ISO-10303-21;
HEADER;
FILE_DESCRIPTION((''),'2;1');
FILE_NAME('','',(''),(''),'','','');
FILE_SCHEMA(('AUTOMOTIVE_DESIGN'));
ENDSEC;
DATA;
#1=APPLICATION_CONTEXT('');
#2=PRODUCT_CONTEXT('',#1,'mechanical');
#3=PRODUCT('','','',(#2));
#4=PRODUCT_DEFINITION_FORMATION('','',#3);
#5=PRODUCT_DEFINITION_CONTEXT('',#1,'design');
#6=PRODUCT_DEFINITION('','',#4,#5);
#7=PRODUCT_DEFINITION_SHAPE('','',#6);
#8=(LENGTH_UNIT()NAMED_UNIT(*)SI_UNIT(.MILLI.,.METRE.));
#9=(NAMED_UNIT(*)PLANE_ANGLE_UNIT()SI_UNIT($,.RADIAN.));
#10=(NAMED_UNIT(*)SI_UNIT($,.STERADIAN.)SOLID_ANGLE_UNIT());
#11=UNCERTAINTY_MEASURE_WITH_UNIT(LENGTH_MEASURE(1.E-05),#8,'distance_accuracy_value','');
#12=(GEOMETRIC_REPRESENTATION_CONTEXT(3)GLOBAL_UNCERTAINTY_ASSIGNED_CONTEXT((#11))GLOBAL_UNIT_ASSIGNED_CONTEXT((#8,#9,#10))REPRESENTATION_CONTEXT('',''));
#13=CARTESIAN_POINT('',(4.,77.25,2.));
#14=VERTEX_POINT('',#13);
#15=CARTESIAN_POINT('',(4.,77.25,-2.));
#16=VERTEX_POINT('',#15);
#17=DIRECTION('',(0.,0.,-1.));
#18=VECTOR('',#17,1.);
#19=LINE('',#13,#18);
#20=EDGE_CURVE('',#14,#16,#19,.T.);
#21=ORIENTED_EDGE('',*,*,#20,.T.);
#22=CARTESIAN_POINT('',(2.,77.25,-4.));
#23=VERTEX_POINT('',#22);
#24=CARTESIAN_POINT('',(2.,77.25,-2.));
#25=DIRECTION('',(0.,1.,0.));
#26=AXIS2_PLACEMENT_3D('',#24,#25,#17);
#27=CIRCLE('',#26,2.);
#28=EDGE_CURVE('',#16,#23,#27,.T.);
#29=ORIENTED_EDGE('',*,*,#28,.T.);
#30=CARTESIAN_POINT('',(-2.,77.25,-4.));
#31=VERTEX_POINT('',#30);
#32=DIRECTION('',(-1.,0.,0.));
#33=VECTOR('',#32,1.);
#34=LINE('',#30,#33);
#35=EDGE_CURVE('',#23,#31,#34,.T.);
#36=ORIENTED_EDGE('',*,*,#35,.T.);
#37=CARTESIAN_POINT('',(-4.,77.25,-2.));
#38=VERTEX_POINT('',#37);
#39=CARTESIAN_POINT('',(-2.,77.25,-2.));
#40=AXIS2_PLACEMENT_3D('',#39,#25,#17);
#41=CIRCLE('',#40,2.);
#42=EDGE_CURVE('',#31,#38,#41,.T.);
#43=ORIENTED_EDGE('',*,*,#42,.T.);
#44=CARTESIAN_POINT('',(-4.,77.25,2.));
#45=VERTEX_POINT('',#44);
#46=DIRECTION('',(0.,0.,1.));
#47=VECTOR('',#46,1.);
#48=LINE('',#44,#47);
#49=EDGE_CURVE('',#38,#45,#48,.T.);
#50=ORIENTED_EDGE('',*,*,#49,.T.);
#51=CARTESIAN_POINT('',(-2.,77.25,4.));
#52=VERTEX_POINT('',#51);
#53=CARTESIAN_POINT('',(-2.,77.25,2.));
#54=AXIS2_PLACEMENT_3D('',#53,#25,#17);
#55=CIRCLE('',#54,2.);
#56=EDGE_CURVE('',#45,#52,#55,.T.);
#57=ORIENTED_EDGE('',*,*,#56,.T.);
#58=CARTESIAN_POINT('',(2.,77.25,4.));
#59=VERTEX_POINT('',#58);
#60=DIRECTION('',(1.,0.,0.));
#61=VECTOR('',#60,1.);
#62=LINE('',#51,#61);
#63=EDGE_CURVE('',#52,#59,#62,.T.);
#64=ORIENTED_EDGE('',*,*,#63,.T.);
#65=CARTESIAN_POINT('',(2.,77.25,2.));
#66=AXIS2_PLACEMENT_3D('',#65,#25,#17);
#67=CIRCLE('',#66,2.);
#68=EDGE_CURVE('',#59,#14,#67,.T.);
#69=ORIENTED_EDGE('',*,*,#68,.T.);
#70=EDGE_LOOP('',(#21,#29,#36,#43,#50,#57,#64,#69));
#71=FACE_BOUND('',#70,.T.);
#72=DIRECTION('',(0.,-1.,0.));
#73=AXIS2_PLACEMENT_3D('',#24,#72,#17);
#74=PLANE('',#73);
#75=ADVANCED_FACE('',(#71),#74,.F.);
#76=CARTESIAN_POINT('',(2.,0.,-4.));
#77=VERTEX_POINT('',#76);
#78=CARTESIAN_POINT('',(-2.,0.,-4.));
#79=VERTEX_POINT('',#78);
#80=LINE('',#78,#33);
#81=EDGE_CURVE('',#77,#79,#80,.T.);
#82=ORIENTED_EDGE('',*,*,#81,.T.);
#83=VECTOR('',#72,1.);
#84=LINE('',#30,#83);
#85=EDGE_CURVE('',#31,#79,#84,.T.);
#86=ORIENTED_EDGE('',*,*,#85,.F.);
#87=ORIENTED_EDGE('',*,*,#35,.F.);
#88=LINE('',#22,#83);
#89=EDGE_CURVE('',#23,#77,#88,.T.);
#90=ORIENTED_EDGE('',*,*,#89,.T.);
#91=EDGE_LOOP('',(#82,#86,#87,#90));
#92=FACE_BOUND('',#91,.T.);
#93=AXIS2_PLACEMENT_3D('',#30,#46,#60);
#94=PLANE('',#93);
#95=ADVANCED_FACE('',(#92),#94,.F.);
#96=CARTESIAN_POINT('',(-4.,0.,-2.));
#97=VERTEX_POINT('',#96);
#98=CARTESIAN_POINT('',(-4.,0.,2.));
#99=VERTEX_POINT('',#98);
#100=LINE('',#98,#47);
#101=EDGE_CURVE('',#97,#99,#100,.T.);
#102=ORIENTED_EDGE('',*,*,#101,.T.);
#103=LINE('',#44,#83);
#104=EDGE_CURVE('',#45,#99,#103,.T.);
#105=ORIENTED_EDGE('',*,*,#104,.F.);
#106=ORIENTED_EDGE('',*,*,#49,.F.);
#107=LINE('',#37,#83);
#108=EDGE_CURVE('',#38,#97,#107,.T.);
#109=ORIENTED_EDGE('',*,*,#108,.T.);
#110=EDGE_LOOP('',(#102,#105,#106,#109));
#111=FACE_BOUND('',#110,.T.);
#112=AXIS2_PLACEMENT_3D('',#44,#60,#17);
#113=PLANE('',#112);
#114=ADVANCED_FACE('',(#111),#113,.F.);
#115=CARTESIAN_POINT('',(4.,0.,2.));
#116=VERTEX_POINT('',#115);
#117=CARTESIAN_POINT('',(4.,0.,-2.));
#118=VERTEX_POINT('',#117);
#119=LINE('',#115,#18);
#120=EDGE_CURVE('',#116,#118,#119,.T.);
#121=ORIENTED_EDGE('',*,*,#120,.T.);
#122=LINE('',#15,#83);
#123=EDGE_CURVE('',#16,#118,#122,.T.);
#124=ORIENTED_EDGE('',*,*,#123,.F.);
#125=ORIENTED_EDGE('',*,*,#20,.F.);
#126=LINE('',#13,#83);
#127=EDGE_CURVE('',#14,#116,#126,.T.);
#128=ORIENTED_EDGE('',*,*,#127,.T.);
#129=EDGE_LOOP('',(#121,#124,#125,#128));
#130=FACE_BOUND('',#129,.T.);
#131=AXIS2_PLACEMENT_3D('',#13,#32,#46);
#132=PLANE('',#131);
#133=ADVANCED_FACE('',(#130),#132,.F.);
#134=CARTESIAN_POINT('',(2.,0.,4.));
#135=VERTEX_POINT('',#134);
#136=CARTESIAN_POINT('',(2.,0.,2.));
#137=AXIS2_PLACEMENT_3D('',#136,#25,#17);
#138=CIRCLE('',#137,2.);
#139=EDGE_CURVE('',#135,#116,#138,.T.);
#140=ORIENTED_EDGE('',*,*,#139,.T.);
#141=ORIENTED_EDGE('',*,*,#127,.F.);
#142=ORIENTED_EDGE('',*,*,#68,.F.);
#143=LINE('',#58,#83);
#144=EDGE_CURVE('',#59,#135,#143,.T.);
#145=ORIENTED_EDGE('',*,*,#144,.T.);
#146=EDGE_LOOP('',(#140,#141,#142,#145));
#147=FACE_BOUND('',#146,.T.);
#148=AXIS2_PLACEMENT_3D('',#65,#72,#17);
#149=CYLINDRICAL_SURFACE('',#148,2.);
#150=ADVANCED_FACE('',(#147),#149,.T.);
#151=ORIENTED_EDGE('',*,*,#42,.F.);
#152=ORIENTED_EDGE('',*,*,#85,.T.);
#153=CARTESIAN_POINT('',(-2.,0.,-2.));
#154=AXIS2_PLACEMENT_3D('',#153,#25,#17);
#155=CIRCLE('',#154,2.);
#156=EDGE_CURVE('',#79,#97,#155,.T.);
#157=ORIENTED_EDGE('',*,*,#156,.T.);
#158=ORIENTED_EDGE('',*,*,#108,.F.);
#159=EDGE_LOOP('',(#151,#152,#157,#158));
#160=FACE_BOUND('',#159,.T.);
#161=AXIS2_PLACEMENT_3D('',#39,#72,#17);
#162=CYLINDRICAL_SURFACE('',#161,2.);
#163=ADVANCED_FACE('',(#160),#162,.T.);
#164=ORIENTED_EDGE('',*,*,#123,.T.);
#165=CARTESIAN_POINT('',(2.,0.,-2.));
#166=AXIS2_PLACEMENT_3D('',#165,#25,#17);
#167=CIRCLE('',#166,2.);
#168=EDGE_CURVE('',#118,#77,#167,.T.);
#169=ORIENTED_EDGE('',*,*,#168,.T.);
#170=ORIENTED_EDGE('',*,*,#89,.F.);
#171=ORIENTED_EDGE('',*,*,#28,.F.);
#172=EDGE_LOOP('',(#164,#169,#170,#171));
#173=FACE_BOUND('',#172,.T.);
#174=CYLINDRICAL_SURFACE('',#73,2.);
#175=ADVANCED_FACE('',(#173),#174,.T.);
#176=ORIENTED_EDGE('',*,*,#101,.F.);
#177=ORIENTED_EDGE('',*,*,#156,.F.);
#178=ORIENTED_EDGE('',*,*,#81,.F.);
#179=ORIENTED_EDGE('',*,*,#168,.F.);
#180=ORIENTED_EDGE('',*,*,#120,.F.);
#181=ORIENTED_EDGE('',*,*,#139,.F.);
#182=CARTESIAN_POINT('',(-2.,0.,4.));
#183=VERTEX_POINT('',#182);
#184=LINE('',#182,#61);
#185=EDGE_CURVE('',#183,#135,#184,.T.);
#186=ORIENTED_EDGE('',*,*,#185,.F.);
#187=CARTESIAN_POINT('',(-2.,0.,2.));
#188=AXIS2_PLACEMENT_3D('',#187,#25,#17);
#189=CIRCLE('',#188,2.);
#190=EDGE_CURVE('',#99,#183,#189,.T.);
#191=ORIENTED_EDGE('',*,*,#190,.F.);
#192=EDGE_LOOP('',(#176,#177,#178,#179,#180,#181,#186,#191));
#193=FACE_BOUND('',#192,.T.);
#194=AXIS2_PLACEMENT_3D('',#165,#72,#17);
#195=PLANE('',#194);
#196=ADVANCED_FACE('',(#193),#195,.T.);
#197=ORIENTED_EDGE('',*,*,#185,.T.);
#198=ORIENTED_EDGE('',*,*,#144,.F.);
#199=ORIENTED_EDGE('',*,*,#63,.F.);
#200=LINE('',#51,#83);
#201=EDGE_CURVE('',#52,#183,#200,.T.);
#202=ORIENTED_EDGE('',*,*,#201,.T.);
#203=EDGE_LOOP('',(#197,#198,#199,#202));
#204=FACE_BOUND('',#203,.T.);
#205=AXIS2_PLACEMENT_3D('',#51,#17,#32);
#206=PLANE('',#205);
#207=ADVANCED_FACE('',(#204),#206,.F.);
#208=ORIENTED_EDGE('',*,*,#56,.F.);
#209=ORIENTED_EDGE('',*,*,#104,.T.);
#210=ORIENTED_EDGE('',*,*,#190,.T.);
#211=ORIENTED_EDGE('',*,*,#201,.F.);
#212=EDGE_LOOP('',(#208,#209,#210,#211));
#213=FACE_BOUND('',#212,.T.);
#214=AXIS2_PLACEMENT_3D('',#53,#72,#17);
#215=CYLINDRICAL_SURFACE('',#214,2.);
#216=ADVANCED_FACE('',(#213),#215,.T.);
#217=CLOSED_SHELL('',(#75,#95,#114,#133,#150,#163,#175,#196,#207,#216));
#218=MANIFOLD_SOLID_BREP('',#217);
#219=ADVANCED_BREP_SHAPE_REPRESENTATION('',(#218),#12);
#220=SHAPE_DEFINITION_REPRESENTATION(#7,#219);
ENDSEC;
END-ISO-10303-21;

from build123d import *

# Parameters (mm, degrees)
RESSALTO_EXTRUS_O1_DEPTH = 77.25


with BuildPart() as part:
    # Esboço1 → Ressalto-extrusão1 (new body)
    with BuildSketch(Plane(origin=(0, 0, 0), x_dir=(1, 0, 0), z_dir=(0, 1, 0))):
        with BuildLine():
            Line((-2, -4), (2, -4))
            ThreePointArc((2, -4), (3.414213562, -3.414213562), (4, -2))
            Line((4, -2), (4, 2))
            ThreePointArc((4, 2), (3.414213562, 3.414213562), (2, 4))
            Line((2, 4), (-2, 4))
            ThreePointArc((-2, 4), (-3.414213562, 3.414213562), (-4, 2))
            Line((-4, 2), (-4, -2))
            ThreePointArc((-4, -2), (-3.414213562, -3.414213562), (-2, -4))
        make_face()
    extrude(amount=RESSALTO_EXTRUS_O1_DEPTH)


solid = part.part
